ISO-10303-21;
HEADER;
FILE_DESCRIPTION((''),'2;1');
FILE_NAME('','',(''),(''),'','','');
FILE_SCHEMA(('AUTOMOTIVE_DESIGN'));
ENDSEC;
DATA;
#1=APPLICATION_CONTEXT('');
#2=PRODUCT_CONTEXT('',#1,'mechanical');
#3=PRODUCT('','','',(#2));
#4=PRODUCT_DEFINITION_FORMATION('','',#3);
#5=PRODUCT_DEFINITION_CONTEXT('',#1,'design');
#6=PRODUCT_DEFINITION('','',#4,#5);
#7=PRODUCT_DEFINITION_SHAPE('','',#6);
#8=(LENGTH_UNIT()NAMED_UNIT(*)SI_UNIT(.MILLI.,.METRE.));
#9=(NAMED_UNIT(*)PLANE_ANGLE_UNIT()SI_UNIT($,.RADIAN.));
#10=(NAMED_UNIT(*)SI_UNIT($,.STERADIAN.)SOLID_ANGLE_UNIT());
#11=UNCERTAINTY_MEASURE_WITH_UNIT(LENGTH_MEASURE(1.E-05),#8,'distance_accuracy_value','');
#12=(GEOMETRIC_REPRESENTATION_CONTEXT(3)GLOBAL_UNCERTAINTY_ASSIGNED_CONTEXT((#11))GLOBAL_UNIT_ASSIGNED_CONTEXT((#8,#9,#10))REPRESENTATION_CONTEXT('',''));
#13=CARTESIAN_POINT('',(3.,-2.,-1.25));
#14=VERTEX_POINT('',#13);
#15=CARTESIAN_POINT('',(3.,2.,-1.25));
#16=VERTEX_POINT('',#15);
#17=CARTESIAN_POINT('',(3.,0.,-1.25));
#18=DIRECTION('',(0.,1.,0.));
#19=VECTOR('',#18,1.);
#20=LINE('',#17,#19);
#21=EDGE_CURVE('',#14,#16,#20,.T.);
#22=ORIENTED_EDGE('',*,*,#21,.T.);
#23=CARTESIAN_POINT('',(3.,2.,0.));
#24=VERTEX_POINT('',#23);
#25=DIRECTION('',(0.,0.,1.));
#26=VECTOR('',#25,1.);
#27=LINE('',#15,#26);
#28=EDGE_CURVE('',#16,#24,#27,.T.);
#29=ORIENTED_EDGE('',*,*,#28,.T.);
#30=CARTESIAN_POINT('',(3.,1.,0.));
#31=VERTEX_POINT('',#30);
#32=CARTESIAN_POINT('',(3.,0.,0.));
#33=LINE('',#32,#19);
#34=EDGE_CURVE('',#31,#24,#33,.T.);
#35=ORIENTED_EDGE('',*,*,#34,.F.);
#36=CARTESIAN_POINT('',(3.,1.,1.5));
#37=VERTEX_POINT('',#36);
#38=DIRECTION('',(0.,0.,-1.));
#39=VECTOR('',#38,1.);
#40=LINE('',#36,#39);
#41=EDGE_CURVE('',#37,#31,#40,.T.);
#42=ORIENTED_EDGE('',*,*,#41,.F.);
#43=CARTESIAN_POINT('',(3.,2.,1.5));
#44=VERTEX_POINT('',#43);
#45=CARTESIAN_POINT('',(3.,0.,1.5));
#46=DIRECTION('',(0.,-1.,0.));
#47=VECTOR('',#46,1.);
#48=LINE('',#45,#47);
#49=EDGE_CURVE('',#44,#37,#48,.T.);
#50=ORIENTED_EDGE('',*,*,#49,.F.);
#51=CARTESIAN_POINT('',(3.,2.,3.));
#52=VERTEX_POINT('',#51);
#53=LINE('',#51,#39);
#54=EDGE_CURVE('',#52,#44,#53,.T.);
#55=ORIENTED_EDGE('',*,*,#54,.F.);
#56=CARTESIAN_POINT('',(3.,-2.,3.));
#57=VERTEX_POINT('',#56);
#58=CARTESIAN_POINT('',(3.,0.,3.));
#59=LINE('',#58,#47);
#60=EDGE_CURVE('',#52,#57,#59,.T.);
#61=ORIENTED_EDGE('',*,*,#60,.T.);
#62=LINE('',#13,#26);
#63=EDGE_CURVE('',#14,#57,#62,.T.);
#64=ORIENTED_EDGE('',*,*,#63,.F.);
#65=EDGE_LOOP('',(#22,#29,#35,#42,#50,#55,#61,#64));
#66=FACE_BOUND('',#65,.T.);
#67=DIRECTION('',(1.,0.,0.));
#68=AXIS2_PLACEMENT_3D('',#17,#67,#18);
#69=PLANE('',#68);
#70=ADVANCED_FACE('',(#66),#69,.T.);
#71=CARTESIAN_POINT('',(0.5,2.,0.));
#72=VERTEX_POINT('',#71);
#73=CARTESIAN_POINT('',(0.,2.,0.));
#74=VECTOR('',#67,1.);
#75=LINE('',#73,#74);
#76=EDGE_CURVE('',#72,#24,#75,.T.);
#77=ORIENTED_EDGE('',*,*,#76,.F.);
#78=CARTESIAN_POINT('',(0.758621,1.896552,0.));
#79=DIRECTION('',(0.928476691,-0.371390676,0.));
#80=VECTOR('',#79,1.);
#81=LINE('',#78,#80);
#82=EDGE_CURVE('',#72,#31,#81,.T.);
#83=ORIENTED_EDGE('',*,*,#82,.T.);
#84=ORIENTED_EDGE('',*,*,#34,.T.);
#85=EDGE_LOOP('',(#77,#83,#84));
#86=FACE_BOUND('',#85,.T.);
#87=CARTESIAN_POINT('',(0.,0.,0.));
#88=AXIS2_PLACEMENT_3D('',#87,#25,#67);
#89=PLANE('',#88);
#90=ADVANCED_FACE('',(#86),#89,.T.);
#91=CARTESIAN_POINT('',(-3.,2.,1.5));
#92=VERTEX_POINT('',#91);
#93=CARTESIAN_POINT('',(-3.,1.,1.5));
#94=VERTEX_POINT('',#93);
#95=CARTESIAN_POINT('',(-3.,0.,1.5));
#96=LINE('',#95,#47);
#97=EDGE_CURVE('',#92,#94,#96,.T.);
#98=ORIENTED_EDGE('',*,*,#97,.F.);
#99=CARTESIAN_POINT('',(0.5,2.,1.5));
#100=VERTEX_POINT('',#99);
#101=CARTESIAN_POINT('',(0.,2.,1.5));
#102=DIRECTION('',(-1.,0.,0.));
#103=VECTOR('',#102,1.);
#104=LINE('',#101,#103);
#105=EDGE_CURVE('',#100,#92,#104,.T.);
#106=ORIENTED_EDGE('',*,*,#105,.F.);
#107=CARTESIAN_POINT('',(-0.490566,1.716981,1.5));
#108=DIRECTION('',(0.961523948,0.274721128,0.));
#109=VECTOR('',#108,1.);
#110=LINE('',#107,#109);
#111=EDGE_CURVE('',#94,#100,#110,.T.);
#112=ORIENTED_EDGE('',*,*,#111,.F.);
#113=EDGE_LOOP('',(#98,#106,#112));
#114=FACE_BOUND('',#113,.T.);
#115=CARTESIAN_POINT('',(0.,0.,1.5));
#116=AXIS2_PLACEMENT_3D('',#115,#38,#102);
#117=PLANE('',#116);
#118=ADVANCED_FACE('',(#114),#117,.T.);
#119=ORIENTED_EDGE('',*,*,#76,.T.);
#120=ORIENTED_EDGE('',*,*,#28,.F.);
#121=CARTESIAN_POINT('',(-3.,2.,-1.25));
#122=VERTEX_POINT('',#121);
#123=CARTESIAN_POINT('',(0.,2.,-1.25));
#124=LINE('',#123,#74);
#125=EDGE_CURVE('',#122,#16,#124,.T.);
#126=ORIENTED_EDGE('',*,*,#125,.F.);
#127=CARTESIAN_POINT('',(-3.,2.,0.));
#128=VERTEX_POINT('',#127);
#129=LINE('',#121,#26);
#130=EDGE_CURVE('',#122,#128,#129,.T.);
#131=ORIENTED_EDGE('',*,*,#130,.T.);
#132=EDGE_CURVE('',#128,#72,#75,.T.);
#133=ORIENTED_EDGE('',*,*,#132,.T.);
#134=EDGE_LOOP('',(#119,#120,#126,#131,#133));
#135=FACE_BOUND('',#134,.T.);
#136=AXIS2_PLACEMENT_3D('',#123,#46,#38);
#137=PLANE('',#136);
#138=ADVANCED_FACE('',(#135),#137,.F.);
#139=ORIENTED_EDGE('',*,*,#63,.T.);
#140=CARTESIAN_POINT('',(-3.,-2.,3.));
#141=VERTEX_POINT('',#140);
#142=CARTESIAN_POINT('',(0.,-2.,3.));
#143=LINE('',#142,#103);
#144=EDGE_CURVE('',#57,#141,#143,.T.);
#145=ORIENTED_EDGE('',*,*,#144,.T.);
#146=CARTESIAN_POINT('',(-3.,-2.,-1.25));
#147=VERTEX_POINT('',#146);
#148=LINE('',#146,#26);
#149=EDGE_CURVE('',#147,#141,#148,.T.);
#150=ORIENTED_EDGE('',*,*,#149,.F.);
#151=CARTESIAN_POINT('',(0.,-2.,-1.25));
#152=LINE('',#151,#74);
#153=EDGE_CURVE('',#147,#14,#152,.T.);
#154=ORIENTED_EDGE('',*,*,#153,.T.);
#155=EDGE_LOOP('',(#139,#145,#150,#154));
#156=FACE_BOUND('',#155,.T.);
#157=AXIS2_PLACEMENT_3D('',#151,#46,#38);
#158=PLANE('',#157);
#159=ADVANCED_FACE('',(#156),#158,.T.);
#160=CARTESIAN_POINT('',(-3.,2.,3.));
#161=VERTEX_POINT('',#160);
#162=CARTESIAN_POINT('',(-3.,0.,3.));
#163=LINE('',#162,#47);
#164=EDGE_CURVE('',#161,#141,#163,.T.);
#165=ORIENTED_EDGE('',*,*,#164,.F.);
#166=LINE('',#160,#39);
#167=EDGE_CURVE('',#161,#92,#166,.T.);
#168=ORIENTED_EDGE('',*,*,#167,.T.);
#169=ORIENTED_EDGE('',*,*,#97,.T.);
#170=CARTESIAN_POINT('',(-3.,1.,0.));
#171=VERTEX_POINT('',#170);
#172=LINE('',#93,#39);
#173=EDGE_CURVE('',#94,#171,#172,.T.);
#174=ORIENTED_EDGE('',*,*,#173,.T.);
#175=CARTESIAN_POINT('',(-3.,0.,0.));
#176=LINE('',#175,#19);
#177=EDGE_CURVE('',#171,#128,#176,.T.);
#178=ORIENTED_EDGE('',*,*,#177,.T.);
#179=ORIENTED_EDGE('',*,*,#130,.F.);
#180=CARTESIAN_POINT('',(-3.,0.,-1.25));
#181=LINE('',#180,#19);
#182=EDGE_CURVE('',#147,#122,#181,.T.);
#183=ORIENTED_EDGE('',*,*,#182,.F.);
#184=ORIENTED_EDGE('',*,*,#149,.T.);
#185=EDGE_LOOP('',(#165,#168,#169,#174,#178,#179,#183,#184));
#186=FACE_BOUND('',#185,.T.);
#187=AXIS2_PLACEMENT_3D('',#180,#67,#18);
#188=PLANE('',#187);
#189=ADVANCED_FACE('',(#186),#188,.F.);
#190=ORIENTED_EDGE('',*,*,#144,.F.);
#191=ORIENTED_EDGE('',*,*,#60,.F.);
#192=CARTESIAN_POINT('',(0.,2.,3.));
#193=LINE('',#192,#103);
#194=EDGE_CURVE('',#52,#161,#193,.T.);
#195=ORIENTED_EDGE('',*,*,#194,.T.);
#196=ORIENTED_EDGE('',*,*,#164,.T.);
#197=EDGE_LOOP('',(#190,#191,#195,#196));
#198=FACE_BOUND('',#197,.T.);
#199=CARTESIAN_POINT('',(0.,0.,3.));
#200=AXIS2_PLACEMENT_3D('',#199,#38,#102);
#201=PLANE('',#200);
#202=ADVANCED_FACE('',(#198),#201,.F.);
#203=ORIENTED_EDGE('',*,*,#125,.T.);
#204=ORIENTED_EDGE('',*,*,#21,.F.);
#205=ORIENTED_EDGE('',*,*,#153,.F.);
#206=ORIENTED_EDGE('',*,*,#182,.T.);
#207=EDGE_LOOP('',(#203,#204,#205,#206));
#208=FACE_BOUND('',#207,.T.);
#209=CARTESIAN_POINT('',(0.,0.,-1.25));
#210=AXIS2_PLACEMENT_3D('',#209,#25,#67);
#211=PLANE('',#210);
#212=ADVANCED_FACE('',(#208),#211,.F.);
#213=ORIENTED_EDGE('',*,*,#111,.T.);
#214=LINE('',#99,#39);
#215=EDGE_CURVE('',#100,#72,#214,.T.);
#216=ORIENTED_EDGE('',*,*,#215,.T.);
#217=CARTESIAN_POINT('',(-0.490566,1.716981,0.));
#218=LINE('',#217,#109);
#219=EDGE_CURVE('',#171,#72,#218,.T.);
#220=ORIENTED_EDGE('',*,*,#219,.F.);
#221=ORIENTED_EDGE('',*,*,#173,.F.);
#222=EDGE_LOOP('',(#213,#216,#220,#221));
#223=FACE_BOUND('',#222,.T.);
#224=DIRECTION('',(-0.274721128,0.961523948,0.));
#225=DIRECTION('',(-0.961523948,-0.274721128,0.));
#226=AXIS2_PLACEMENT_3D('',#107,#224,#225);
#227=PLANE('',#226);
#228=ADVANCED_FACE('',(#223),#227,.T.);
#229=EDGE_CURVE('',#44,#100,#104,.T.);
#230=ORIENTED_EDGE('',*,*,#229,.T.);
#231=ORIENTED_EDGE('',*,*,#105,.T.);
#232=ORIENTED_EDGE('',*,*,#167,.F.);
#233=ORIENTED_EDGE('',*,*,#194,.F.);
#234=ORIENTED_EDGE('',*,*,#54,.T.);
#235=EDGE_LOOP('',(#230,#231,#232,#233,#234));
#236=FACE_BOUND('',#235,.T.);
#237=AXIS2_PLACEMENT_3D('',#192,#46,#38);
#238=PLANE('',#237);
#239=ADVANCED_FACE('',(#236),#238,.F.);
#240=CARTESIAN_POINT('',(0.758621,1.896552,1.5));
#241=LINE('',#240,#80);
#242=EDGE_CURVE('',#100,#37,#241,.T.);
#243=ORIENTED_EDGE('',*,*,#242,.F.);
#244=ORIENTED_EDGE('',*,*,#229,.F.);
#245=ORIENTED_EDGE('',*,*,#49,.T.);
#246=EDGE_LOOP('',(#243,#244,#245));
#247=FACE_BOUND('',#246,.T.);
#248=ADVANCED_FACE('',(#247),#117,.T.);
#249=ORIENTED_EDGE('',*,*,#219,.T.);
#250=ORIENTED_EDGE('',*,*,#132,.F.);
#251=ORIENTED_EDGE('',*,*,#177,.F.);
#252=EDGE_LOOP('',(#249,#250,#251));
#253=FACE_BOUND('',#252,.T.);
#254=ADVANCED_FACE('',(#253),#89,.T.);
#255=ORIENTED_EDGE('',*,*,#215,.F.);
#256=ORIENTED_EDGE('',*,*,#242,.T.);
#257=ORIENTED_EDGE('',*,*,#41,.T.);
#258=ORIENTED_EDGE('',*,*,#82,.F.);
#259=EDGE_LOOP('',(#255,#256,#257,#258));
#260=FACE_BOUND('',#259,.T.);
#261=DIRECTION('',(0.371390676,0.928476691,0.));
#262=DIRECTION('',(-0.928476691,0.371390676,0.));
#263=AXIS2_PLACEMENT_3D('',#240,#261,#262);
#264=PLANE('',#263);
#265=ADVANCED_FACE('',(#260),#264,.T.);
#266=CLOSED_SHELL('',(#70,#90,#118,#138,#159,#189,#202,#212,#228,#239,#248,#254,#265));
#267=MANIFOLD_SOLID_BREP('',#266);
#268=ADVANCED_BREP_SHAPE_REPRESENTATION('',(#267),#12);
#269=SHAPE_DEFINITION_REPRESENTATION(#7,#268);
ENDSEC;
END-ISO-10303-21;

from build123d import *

# Parameters (mm, degrees)
SKETCH1_W           = 6
SKETCH1_H           = 4
BOSS_EXTRUDE1_DEPTH = 1.25
BOSS_EXTRUDE2_DEPTH = 1.5
BOSS_EXTRUDE3_START = 1.5
BOSS_EXTRUDE3_DEPTH = 1.5


with BuildPart() as part:
    # Sketch1 → Boss-Extrude1 (new body)
    with BuildSketch(Plane.XY):
        Rectangle(SKETCH1_W, SKETCH1_H)
    extrude(amount=-BOSS_EXTRUDE1_DEPTH)

    # Sketch1<3> → Boss-Extrude2 (add)
    with BuildSketch(Plane.XY):
        Polygon((0.5, 2), (-3, 1), (-3, -2), (3, -2), (3, 1), align=None)
    extrude(amount=BOSS_EXTRUDE2_DEPTH)

    # Sketch1<4> → Boss-Extrude3 (add)
    with BuildSketch(Plane.XY.offset(BOSS_EXTRUDE3_START)):
        Polygon((-3, 2), (-3, 1), (0.5, 2), align=None)
        Polygon((0.5, 2), (-3, 1), (-3, -2), (3, -2), (3, 1), align=None)
        Polygon((3, 2), (0.5, 2), (3, 1), align=None)
    extrude(amount=BOSS_EXTRUDE3_DEPTH)


solid = part.part
